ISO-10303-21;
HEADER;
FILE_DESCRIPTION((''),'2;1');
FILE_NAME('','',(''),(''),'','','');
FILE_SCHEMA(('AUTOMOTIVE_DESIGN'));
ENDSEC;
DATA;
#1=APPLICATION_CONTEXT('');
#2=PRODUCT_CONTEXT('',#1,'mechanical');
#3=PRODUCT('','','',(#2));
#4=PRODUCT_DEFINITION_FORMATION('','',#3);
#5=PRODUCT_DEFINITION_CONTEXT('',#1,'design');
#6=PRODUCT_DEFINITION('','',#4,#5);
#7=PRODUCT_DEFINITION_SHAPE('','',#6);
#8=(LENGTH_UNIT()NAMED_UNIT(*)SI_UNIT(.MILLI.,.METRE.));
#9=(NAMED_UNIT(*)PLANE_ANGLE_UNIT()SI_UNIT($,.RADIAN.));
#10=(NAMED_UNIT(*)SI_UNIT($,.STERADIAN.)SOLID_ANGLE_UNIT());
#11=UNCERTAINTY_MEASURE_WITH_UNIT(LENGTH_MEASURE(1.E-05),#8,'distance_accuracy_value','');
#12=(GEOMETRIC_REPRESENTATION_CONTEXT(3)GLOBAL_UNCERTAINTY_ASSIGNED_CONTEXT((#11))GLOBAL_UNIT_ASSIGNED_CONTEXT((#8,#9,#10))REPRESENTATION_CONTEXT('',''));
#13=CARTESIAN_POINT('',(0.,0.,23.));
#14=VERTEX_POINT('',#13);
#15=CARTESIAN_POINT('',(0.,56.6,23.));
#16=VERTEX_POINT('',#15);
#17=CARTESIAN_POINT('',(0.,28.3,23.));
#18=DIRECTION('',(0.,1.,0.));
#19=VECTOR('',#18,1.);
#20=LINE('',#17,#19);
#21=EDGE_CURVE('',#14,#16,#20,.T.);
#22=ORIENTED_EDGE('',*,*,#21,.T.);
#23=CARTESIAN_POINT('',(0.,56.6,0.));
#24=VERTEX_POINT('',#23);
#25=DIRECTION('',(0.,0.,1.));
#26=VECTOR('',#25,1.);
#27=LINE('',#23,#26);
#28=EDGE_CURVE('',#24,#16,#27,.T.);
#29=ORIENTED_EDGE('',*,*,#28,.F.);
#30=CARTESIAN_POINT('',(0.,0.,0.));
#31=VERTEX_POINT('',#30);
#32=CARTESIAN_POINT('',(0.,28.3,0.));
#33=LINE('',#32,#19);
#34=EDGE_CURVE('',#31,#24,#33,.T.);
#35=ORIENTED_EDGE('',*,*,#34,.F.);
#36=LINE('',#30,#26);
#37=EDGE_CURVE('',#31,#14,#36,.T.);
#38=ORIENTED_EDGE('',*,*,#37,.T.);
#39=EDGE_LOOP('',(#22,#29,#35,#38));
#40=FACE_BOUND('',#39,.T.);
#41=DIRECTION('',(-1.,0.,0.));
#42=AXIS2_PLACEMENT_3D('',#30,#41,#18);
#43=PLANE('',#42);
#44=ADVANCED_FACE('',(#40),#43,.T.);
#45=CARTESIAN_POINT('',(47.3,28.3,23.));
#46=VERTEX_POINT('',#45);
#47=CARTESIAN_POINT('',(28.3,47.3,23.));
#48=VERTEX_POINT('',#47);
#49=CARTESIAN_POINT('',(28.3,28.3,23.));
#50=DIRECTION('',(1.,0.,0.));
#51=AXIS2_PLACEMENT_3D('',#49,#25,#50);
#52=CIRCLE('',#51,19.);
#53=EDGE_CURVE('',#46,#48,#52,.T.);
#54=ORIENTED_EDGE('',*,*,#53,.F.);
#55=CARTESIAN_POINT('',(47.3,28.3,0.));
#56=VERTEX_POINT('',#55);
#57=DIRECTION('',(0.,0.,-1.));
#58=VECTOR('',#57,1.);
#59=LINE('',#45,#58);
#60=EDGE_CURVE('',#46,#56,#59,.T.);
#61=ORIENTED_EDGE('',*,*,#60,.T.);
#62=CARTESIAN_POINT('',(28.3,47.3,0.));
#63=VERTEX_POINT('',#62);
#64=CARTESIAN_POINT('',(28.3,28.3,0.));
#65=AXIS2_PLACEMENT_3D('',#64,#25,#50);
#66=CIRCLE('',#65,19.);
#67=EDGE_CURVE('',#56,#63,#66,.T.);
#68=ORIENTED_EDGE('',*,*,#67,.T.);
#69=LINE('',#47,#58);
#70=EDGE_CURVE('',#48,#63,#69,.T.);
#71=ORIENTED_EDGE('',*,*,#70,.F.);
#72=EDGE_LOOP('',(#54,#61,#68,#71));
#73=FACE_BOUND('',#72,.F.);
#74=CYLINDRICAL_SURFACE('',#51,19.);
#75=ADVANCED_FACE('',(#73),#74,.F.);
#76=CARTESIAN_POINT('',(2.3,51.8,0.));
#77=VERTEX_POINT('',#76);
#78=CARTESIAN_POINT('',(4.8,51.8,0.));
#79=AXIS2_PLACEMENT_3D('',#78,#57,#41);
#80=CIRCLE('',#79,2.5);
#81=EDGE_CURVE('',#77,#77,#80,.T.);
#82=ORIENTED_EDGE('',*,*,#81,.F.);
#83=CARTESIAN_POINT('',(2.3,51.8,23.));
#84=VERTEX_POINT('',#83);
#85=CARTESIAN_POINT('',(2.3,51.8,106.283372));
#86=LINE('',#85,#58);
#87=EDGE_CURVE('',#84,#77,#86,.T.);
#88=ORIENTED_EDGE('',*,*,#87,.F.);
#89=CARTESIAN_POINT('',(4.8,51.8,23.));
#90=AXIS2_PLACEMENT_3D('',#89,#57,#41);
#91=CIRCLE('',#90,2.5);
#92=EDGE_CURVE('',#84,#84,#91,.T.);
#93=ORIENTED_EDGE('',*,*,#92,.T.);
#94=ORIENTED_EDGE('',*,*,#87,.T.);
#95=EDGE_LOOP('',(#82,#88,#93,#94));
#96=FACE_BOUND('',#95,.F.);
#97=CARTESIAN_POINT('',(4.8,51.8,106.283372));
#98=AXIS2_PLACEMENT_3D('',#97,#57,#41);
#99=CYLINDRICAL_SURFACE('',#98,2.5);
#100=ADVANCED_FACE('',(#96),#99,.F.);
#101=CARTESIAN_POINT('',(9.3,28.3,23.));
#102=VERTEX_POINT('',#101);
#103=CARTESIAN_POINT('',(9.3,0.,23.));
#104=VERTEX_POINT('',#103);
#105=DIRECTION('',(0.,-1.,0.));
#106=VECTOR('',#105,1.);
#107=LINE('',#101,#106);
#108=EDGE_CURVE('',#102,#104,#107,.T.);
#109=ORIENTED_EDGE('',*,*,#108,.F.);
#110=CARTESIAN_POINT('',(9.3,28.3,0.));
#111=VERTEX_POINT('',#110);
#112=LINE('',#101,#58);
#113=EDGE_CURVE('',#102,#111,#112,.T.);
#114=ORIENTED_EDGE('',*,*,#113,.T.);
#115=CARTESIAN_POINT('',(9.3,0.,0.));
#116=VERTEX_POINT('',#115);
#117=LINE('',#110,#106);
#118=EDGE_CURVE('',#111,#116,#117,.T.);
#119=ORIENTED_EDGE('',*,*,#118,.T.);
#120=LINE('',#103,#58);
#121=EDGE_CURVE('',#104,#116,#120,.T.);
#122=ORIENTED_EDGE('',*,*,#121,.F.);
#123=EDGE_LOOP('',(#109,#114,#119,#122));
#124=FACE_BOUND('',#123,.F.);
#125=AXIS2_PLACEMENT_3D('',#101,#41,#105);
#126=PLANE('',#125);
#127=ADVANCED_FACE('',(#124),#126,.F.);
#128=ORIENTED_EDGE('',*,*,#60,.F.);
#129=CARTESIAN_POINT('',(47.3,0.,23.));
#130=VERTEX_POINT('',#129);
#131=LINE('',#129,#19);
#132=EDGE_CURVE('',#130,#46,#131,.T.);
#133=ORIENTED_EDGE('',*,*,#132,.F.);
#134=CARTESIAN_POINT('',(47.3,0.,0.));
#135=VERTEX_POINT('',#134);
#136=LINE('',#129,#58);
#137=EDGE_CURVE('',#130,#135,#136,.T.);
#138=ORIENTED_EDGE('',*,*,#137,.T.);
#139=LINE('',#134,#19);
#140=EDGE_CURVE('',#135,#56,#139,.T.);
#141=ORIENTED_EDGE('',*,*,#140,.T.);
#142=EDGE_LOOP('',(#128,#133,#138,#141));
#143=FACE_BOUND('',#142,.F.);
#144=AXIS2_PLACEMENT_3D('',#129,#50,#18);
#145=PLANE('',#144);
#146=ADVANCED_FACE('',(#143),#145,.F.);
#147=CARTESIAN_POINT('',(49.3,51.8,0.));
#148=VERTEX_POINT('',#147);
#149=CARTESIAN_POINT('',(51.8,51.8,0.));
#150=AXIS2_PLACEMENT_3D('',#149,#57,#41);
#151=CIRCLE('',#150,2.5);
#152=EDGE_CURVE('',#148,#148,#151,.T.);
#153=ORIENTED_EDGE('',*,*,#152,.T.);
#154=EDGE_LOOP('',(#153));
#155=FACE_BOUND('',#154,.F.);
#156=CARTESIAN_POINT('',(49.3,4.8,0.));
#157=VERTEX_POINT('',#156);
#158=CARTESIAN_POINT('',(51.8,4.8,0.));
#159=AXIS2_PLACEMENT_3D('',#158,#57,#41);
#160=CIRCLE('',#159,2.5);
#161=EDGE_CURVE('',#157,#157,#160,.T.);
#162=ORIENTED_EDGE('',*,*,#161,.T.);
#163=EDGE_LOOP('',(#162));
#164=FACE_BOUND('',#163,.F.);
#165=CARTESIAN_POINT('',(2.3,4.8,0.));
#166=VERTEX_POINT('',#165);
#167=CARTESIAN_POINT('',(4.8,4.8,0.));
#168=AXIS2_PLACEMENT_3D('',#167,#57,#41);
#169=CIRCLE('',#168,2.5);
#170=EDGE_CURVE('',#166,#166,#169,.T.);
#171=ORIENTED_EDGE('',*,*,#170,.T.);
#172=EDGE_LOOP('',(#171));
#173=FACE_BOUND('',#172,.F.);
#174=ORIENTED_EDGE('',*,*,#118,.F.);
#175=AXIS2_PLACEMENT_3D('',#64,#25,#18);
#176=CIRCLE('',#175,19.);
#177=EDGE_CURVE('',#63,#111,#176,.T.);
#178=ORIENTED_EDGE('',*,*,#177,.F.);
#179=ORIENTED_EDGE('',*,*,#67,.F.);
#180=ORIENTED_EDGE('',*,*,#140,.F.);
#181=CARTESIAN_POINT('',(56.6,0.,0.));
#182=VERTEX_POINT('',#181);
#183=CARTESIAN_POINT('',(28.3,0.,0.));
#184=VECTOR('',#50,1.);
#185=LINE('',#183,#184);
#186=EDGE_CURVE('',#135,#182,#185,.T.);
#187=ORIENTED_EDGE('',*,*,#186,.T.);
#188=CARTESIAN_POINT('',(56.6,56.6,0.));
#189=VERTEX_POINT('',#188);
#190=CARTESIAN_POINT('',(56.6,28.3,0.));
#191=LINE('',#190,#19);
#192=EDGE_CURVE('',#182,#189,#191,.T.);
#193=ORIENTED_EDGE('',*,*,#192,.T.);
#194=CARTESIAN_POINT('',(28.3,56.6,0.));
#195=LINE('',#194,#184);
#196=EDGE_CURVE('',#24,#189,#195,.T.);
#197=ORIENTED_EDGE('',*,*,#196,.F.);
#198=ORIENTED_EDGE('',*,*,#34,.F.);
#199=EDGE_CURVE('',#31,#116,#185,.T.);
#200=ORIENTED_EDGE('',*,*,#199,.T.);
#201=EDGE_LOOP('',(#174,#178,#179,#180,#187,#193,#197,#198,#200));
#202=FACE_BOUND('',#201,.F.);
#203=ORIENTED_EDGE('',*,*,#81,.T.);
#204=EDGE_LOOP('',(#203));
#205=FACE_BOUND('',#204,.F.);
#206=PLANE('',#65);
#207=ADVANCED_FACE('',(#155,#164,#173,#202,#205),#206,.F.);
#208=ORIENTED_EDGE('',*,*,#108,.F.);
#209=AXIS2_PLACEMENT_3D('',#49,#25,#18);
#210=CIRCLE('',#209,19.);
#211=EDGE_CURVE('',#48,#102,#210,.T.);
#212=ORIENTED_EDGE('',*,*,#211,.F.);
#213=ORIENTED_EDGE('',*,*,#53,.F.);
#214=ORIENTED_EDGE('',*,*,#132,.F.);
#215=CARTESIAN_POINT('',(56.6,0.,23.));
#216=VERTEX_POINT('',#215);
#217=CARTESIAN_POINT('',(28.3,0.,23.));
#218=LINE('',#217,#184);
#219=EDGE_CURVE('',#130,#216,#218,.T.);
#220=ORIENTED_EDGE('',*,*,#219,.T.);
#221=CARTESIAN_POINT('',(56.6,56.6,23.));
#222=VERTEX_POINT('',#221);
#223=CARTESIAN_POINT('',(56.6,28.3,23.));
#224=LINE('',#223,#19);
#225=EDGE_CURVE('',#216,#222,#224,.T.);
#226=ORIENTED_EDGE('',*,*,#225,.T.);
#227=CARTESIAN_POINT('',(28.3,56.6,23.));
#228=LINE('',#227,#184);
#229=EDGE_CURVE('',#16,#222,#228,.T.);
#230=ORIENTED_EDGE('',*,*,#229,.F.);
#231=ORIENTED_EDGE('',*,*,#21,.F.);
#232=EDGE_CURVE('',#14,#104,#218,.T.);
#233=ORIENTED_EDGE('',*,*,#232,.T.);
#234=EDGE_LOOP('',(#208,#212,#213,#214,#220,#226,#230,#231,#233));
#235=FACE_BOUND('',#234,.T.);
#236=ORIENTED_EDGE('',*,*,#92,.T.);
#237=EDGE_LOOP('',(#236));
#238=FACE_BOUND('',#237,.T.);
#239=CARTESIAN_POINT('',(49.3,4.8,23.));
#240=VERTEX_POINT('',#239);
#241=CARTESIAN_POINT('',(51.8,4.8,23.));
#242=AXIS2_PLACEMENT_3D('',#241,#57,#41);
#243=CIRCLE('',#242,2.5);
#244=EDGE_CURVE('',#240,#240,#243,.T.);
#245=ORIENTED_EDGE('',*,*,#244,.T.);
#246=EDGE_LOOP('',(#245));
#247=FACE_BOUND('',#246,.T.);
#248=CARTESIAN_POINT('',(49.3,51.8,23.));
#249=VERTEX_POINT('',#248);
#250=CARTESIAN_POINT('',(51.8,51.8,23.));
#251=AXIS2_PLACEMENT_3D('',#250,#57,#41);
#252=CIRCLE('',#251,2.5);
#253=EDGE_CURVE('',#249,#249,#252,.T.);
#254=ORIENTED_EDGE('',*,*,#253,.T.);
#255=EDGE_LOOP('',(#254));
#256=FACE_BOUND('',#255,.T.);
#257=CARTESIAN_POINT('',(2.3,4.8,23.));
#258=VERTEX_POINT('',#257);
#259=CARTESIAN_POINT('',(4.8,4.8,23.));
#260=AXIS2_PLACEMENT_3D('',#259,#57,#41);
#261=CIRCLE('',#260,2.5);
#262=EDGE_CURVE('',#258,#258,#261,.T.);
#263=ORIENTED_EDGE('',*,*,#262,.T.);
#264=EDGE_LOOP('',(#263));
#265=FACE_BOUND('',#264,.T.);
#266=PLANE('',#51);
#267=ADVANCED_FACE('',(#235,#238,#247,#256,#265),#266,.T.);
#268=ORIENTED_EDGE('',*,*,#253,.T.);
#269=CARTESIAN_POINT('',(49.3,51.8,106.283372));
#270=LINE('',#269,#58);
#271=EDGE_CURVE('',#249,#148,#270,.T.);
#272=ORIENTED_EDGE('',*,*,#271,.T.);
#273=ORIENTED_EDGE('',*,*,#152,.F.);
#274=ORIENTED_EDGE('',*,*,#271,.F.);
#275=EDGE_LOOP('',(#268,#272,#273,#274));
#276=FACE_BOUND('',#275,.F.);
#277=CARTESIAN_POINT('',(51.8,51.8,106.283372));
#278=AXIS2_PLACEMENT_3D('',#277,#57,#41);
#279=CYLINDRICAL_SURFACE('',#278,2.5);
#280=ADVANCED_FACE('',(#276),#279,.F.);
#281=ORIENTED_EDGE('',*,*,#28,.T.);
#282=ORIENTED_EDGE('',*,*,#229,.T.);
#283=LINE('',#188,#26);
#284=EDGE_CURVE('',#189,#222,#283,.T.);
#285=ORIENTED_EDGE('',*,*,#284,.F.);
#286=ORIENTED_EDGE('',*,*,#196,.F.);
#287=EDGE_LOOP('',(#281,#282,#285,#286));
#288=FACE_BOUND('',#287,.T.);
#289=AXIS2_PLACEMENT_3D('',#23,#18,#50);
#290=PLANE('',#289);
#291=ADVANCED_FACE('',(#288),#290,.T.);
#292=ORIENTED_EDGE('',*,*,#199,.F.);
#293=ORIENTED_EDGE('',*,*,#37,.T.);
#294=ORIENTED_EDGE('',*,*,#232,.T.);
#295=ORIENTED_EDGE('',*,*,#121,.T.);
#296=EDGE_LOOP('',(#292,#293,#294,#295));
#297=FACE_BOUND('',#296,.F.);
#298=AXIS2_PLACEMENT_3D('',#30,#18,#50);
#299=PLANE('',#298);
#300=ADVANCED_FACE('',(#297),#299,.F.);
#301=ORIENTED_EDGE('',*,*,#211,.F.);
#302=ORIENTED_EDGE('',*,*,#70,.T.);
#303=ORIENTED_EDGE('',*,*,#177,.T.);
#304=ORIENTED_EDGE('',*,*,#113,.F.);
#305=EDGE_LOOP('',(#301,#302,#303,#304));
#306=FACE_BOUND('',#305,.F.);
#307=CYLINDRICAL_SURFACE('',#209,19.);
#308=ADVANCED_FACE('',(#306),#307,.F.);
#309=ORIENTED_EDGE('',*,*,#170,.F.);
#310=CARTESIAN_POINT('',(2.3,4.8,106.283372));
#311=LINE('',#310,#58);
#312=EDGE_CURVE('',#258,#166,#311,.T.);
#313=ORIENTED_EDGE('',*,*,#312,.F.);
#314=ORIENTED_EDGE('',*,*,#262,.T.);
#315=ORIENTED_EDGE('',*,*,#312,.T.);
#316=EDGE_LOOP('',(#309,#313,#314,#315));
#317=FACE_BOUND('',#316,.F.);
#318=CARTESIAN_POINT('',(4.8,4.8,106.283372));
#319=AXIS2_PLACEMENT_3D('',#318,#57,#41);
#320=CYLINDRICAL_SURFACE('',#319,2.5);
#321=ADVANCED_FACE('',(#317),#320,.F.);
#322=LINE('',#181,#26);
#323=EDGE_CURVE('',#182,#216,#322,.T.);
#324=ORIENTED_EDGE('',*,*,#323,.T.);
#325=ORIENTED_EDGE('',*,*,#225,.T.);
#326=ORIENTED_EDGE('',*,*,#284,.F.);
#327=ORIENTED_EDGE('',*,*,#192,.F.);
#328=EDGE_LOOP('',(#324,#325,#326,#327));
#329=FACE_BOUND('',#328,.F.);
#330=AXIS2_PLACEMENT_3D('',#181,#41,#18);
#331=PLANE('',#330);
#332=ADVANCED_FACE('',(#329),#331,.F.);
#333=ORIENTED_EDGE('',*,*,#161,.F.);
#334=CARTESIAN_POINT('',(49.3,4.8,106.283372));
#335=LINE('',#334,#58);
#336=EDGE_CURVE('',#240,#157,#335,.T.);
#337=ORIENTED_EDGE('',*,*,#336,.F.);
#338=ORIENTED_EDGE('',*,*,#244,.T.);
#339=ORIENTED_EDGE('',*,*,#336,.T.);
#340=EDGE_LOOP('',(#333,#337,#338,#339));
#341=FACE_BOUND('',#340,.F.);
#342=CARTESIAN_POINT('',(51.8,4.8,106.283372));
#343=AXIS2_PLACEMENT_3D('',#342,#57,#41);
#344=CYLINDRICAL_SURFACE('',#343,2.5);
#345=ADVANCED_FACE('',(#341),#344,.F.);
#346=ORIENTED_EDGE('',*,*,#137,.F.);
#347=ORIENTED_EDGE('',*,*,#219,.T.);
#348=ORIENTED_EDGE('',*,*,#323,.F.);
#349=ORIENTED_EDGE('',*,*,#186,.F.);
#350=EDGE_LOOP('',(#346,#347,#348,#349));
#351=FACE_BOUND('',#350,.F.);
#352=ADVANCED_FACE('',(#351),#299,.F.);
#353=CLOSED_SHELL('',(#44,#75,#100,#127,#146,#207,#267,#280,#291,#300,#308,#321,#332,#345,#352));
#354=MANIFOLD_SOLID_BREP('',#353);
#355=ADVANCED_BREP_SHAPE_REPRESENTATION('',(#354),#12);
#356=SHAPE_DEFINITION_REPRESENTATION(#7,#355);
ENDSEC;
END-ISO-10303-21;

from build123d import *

# Parameters (mm, degrees)
F0_W     = 56.6
F0_H     = 56.6
F1_DEPTH = 23
F3_DEPTH = 23
F5_D     = 5


with BuildPart() as f1:
    # F0 (on Top) → F1 (new body)
    with BuildSketch(Plane.XY):
        with Locations((28.3, 28.3)):
            Rectangle(F0_W, F0_H)
    extrude(amount=F1_DEPTH)

    # F2 (on face) → F3 (cut, through all)
    with BuildSketch(Plane.XY.offset(23)):
        with BuildLine():
            Line((28.3, 28.3), (47.3, 28.3))
            ThreePointArc((47.3, 28.3), (41.7350288425, 41.7350288425), (28.3, 47.3))
            Line((28.3, 47.3), (28.3, 28.3))
        make_face()
        with BuildLine():
            Line((47.3, 0), (47.3, 28.3))
            ThreePointArc((47.3, 28.3), (41.7350288425, 14.8649711575), (28.3, 9.3))
            Line((28.3, 9.3), (28.3, 0))
            Line((28.3, 0), (47.3, 0))
        make_face()
        with BuildLine():
            ThreePointArc((28.3, 9.3), (41.7350288425, 14.8649711575), (47.3, 28.3))
            Line((47.3, 28.3), (28.3, 28.3))
            Line((28.3, 28.3), (28.3, 9.3))
        make_face()
        with BuildLine():
            Line((28.3, 28.3), (28.3, 47.3))
            ThreePointArc((28.3, 47.3), (14.8649711575, 41.7350288425), (9.3, 28.3))
            Line((9.3, 28.3), (28.3, 28.3))
        make_face()
        with BuildLine():
            Line((28.3, 0), (28.3, 9.3))
            ThreePointArc((28.3, 9.3), (14.8649711575, 14.8649711575), (9.3, 28.3))
            Line((9.3, 28.3), (9.3, 0))
            Line((9.3, 0), (28.3, 0))
        make_face()
        with BuildLine():
            ThreePointArc((9.3, 28.3), (14.8649711575, 14.8649711575), (28.3, 9.3))
            Line((28.3, 9.3), (28.3, 28.3))
            Line((28.3, 28.3), (9.3, 28.3))
        make_face()
    extrude(amount=-F3_DEPTH, mode=Mode.SUBTRACT)

    # F5 (through all)
    with Locations(Plane.XY.offset(23)):
        with Locations((4.8, 51.8), (51.8, 51.8), (51.8, 4.8), (4.8, 4.8)):
            Hole(F5_D / 2)


solid = f1.part
